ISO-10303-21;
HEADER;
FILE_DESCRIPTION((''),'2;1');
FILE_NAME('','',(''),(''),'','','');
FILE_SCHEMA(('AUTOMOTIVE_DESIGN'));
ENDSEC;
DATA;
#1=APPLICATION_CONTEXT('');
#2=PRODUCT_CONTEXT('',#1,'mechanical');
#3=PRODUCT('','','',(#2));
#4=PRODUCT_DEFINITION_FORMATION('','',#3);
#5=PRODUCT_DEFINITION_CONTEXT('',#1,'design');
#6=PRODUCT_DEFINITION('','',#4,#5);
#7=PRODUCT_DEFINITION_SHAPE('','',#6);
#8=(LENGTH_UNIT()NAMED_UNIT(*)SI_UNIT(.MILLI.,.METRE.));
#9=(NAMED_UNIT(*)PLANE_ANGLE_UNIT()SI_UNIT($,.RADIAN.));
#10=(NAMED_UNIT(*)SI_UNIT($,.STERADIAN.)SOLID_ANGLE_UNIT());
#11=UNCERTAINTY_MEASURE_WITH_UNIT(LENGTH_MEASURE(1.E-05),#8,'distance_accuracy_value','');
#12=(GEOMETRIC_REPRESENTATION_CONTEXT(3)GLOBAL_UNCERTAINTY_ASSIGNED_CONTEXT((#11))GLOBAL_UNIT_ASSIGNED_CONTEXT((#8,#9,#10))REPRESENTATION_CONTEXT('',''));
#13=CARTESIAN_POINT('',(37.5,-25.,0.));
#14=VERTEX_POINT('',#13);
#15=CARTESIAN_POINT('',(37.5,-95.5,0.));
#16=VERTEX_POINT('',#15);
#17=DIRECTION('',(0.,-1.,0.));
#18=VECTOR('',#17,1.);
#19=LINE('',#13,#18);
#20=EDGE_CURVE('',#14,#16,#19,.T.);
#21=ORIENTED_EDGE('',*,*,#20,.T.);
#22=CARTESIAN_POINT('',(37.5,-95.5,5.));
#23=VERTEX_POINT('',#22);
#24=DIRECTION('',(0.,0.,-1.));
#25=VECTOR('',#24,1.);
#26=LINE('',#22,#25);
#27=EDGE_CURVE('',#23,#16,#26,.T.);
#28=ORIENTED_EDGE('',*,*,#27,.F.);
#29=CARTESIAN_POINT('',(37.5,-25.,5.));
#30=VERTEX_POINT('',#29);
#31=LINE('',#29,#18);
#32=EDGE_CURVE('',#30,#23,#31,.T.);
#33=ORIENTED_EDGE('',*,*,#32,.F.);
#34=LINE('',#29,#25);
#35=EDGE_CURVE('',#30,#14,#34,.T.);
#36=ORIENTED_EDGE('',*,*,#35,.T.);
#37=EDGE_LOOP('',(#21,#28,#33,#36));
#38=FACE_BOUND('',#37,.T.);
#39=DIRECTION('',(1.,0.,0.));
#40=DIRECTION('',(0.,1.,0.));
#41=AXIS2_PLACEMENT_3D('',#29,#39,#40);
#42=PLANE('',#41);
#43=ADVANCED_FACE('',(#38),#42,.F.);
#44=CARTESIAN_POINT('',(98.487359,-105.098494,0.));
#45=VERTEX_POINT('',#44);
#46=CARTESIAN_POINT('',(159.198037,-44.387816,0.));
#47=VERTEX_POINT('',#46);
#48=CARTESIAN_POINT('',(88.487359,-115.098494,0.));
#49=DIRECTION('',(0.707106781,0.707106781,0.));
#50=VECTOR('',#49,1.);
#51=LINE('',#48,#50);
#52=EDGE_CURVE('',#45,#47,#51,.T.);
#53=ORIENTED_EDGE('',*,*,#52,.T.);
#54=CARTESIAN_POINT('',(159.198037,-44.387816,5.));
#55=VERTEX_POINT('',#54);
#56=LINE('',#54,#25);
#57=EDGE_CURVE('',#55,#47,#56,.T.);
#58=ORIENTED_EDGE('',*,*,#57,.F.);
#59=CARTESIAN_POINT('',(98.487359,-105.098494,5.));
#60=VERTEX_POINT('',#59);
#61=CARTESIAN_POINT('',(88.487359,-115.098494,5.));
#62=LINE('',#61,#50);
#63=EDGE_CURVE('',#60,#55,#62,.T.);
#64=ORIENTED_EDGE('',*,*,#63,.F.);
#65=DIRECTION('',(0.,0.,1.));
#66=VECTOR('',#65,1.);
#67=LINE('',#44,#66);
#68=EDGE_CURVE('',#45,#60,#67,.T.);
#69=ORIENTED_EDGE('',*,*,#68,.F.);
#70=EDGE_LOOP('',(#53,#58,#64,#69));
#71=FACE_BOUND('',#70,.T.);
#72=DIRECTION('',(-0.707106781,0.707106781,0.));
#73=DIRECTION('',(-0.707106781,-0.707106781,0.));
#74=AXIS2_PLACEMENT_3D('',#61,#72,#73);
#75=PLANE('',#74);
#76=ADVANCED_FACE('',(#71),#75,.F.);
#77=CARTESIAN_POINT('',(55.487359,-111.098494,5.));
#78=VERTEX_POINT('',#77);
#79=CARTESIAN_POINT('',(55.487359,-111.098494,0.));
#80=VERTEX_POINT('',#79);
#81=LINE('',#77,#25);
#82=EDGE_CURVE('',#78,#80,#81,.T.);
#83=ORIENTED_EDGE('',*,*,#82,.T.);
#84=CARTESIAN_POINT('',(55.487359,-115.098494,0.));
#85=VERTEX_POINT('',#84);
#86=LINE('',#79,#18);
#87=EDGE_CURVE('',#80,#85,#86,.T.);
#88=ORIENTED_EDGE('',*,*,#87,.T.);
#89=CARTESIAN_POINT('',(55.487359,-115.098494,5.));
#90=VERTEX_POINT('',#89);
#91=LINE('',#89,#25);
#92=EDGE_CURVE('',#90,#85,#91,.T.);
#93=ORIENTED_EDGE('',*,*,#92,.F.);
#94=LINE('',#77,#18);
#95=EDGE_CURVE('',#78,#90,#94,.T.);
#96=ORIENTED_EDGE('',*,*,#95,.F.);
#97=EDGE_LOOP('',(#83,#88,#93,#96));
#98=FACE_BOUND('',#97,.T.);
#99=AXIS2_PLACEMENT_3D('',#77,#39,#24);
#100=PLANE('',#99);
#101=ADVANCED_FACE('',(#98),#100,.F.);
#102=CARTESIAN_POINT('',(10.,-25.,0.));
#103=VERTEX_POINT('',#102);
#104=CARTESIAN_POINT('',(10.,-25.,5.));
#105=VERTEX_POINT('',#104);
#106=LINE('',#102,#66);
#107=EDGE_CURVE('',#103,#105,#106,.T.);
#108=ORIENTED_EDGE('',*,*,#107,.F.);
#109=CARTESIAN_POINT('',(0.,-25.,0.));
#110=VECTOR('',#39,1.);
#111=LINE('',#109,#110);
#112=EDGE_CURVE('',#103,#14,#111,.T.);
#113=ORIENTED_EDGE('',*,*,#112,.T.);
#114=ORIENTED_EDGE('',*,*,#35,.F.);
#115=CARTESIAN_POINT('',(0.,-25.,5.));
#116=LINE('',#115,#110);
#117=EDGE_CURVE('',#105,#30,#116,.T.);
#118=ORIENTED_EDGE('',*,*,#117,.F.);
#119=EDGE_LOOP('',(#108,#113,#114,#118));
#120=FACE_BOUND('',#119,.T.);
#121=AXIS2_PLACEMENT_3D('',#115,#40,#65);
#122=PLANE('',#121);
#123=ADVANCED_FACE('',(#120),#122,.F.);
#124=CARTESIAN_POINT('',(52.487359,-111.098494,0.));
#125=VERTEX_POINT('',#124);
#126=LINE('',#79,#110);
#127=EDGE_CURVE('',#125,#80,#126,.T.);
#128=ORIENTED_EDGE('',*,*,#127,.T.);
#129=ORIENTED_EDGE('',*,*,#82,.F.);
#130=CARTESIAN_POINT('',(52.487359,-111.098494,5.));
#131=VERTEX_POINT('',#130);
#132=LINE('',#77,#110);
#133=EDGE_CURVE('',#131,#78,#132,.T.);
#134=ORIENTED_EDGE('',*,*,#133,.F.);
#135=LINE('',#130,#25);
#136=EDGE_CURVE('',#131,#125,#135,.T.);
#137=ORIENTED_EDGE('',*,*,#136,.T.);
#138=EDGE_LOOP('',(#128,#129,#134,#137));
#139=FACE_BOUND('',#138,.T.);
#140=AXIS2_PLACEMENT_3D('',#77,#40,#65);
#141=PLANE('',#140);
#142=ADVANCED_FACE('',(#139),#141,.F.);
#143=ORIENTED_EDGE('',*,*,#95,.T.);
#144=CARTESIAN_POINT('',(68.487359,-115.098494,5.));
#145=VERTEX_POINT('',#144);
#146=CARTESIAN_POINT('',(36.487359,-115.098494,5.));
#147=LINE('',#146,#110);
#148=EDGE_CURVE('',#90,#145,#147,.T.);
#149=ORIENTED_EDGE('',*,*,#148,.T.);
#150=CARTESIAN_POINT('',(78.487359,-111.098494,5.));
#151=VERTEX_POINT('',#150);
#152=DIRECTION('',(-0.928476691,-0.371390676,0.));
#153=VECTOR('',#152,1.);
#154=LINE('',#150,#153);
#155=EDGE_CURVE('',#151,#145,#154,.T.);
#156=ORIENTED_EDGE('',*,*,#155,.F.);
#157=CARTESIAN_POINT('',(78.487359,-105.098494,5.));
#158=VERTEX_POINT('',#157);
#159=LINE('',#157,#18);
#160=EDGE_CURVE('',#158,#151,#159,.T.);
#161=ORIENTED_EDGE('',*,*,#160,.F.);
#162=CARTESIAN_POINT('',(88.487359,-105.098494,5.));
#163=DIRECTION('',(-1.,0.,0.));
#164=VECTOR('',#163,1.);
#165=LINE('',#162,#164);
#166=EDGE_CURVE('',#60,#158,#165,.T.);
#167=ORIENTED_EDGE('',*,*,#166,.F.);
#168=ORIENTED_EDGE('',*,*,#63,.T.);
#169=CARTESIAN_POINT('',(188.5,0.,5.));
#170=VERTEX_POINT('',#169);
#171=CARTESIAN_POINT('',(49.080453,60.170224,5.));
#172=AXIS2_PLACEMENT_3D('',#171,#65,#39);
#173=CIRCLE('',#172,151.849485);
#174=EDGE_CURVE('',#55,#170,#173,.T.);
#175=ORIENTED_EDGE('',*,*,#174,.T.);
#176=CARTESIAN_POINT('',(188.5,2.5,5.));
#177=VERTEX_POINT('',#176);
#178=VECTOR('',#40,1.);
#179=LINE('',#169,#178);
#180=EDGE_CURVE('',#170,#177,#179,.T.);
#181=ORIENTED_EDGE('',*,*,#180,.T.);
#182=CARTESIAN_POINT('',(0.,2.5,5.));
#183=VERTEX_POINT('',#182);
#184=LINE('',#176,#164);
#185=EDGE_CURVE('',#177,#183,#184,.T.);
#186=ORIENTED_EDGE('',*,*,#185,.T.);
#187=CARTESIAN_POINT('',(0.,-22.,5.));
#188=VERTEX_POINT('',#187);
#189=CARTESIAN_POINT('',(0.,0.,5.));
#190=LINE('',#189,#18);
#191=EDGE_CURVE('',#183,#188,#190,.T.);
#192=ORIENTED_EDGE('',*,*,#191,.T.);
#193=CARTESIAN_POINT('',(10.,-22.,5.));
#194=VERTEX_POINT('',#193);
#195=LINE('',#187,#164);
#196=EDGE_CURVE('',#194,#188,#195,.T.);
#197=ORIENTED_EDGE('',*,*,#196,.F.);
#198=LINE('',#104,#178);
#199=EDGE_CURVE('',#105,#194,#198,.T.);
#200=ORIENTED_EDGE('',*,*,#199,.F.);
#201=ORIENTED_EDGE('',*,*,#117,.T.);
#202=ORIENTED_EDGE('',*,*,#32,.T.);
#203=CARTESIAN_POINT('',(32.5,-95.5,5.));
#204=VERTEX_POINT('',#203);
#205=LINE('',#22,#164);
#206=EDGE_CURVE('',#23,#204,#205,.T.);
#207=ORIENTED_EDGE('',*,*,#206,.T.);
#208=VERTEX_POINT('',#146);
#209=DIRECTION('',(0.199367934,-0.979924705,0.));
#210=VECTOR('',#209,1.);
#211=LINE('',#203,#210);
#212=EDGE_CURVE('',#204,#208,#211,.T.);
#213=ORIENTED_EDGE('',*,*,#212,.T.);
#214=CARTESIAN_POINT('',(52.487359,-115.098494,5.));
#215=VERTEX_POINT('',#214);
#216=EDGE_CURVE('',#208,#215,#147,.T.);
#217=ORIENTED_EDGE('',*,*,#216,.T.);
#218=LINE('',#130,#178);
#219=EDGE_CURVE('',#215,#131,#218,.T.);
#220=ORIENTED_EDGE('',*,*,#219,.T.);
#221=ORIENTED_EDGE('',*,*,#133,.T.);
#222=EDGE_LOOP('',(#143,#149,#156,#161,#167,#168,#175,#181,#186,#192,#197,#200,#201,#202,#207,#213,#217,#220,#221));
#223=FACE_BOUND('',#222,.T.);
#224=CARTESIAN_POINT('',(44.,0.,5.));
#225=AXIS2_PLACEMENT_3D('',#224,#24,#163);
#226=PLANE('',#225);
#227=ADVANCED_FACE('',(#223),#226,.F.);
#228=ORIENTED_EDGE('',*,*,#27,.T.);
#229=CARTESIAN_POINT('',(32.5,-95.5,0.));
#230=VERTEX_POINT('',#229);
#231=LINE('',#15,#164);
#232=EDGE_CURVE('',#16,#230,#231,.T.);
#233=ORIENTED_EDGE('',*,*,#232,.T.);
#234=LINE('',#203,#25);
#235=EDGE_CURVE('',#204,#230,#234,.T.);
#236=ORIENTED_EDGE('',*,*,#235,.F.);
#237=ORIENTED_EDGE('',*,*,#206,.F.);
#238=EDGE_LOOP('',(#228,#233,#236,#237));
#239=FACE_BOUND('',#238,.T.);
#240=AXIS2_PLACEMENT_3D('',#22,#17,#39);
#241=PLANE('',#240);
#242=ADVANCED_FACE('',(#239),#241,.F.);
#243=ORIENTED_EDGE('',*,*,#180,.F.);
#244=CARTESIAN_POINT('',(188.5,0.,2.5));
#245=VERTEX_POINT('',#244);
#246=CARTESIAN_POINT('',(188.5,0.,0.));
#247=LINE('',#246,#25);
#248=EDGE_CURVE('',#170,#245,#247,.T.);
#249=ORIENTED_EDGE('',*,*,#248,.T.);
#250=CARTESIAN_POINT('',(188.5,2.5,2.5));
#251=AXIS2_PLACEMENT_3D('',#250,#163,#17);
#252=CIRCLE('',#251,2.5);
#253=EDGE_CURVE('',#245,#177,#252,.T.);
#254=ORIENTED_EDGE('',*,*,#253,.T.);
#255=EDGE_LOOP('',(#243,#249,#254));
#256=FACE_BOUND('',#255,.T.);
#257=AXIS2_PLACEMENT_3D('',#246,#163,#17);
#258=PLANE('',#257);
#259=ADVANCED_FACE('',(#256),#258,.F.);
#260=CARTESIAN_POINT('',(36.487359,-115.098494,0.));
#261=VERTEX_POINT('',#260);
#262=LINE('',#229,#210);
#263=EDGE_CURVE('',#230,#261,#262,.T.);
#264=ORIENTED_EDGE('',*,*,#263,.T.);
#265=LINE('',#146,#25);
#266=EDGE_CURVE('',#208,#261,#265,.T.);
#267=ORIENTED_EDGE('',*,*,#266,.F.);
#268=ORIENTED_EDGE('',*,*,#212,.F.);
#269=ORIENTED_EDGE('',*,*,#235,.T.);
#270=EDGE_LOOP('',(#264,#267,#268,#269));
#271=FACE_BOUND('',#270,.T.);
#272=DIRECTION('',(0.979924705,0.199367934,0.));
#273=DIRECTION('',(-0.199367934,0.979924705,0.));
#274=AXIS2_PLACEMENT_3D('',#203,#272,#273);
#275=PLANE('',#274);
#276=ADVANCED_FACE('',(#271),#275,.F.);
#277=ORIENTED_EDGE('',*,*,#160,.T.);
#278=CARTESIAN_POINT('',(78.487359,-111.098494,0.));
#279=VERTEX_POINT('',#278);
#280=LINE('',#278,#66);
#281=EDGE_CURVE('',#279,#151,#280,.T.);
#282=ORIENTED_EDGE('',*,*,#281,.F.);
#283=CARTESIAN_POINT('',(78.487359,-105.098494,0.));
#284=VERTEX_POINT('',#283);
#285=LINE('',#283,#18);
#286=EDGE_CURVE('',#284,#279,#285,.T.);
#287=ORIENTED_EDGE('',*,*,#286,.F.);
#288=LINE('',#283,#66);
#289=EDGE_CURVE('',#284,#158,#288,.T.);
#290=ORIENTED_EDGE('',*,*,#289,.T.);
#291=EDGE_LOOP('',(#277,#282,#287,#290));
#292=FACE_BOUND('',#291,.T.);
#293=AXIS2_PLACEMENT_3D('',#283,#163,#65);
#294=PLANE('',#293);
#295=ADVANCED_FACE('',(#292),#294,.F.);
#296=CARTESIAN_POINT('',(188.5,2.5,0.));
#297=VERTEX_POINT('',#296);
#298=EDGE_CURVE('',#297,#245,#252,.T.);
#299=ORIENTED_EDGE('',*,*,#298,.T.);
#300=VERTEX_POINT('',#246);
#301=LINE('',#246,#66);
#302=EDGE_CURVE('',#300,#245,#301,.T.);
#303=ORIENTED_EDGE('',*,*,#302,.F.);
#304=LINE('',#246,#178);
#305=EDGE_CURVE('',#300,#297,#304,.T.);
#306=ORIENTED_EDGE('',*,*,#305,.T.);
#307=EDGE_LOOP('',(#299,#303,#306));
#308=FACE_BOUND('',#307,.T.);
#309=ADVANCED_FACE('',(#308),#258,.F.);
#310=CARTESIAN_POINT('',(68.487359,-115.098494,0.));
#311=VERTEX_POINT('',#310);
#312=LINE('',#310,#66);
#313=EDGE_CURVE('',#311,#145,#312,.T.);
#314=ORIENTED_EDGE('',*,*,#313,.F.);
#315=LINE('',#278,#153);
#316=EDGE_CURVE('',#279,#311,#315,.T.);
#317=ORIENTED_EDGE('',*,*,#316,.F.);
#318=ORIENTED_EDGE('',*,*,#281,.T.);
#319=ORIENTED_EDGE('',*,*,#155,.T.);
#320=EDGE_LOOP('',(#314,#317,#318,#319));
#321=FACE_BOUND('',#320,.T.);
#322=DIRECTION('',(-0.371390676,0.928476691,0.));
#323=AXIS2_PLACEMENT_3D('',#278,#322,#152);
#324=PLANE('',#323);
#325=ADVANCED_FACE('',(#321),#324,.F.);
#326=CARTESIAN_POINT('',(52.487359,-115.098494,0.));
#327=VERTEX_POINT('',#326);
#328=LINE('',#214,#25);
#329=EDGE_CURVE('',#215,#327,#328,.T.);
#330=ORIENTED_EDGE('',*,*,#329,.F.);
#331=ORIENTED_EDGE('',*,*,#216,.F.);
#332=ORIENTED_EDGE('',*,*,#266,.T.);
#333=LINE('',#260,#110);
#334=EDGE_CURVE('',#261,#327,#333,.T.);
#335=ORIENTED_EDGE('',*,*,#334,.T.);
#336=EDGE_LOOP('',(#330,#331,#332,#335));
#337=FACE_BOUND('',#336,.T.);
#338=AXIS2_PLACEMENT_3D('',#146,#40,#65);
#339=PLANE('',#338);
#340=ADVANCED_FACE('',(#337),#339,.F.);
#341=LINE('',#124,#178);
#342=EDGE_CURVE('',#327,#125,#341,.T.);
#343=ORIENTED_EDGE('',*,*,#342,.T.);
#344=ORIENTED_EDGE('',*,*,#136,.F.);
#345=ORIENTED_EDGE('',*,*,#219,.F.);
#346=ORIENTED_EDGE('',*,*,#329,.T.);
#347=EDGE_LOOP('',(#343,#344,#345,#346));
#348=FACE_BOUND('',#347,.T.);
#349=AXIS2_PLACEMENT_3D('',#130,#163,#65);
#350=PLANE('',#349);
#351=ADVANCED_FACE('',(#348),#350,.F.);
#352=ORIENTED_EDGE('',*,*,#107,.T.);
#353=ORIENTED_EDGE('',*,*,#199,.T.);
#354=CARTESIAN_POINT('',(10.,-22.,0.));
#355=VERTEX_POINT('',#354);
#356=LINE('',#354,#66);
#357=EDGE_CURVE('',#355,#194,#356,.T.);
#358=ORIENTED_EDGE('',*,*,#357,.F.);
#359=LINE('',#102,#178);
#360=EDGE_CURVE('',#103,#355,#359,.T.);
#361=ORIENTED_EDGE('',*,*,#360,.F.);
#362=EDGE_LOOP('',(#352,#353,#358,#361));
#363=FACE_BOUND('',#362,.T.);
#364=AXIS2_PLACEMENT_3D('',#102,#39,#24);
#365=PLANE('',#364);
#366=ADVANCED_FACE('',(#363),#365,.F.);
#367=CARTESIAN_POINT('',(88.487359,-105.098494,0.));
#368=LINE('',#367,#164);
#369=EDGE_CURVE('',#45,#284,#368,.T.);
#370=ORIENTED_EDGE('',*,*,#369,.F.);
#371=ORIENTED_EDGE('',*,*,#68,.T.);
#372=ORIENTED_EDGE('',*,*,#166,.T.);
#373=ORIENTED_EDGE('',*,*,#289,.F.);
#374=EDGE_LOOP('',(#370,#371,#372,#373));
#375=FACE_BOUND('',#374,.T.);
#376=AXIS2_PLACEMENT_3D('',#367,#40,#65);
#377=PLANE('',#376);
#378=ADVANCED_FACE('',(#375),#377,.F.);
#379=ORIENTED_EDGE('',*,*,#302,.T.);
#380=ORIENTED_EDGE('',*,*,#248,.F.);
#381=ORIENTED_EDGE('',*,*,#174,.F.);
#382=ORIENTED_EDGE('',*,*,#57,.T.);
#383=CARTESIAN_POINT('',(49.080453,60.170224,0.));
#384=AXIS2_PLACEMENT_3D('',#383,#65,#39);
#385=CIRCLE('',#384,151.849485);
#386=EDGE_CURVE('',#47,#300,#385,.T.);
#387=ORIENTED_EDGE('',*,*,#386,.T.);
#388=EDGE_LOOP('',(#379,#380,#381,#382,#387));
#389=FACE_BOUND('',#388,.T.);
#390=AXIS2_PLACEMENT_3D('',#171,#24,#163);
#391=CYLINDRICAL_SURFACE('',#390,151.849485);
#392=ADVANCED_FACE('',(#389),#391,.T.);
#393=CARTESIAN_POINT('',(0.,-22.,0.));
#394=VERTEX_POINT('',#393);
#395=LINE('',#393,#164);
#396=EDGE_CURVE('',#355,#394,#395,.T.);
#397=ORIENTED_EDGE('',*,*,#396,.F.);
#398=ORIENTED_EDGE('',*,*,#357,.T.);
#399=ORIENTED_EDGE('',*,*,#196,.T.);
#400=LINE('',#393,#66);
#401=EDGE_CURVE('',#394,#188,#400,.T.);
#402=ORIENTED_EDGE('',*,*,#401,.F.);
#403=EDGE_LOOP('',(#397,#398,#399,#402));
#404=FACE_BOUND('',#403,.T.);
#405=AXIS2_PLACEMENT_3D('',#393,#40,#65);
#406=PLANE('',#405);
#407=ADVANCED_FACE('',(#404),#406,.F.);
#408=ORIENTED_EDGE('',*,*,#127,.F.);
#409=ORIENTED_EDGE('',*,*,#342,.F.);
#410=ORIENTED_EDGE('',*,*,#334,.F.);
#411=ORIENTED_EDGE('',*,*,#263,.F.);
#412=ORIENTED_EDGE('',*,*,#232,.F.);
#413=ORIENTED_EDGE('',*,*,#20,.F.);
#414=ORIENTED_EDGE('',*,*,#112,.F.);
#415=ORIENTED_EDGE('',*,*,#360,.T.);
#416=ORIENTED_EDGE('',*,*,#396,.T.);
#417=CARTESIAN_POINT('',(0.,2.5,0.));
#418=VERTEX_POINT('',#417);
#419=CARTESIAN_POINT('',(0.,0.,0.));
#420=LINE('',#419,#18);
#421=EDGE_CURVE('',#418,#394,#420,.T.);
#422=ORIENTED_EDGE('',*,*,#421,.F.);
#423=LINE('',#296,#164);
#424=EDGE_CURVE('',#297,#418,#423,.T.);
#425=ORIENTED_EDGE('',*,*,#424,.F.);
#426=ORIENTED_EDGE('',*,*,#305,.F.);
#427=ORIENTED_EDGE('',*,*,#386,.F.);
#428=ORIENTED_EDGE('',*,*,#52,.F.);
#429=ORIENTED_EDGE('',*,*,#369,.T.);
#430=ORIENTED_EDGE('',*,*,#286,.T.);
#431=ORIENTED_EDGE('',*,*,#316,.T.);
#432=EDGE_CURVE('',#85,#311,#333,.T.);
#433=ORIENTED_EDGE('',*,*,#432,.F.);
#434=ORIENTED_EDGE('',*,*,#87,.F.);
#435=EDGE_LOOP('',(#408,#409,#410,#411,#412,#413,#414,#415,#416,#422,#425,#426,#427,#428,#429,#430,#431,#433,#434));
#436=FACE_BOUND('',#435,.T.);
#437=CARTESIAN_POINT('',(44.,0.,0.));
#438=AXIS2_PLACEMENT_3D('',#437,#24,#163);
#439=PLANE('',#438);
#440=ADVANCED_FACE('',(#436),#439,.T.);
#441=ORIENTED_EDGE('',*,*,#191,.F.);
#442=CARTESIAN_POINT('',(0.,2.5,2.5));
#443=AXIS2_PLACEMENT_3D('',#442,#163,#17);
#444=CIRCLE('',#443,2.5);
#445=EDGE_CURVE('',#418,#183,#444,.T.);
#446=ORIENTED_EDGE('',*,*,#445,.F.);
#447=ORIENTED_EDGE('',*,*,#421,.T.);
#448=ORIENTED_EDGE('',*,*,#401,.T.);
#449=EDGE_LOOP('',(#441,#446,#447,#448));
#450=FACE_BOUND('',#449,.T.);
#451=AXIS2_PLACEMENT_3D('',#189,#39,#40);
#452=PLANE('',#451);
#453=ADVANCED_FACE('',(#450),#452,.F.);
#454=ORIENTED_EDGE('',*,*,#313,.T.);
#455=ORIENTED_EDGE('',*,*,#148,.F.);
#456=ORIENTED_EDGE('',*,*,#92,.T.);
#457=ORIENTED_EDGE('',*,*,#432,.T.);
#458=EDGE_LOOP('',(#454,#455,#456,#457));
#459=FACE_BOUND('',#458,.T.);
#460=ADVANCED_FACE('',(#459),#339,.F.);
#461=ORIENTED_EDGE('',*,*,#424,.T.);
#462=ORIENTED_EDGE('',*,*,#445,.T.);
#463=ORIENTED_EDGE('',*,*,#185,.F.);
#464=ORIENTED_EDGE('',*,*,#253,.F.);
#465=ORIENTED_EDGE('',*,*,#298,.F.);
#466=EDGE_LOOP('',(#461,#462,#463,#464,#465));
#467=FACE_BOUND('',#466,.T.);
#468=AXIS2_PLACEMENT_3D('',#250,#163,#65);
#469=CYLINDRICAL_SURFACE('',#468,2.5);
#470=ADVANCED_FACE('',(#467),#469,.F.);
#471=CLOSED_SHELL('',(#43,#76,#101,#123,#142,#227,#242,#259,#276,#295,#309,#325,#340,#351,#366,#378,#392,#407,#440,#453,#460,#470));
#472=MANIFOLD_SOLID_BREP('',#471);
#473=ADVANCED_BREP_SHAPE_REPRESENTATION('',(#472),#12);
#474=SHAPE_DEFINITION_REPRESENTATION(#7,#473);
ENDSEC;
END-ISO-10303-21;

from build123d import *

# Parameters (mm, degrees)
BOSS_EXTRU_1_DEPTH      = 5
ESQUISSE3_W             = 10
ESQUISSE3_H             = 3
ENL_V_MAT_EXTRU_1_DEPTH = 231.967242256
ENL_V_MAT_EXTRU_2_DEPTH = 231.967242256
ENL_V_MAT_EXTRU_3_DEPTH = 231.967242256
BOSS_EXTRU_2_DEPTH      = 188.5
ESQUISSE6_W             = 3
ESQUISSE6_H             = 4
ENL_V_MAT_EXTRU_4_DEPTH = 221.918340892


with BuildPart() as part:
    # Esquisse1 → Boss.-Extru.1 (new body)
    with BuildSketch(Plane.XY):
        with BuildLine():
            Line((0, 0), (0, -25))
            Line((0, -25), (37.5, -25))
            Line((37.5, -25), (37.5, -95.5))
            Line((37.5, -95.5), (32.5, -95.5))
            Line((32.5, -95.5), (36.487358688, -115.098494092))
            Line((36.487358688, -115.098494092), (88.487358688, -115.098494092))
            Line((88.487358688, -115.098494092), (159.198036807, -44.387815974))
            ThreePointArc((159.198036807, -44.387815974), (187.146342861, -3.044299659), (200.182925478, 45.126663235))
            Line((200.182925478, 45.126663235), (43.682925478, 43.998857528))
            ThreePointArc((43.682925478, 43.998857528), (12.775400091, 31.000392909), (0, 0))
        make_face()
    extrude(amount=BOSS_EXTRU_1_DEPTH)

    # Esquisse3 → Enlèv. mat.-Extru.1 (cut, through all)
    with BuildSketch(Plane.XY.offset(5)):
        with Locations((5, -23.5)):
            Rectangle(ESQUISSE3_W, ESQUISSE3_H)
    extrude(amount=-ENL_V_MAT_EXTRU_1_DEPTH, mode=Mode.SUBTRACT)

    # Esquisse4 → Enlèv. mat.-Extru.2 (cut, through all)
    with BuildSketch(Plane.XY.offset(5)):
        Polygon((88.487358688, -105.098494092), (78.487358688, -105.098494092), (78.487358688, -111.098494092), (68.487358688, -115.098494092), (78.487358688, -115.098494092), (88.487358688, -115.098494092), (98.487358688, -105.098494092), align=None)
    extrude(amount=-ENL_V_MAT_EXTRU_2_DEPTH, mode=Mode.SUBTRACT)

    # Esquisse2 → Enlèv. mat.-Extru.3 (cut, through all)
    with BuildSketch(Plane.XY.offset(5)):
        Polygon((0, 0), (188.5, 0), (209.362190725, -2.460738477), (219.452028236, 63.380017622), (19.477580028, 66.088918501), (-15.632624315, 12.443515375), align=None)
    extrude(amount=-ENL_V_MAT_EXTRU_3_DEPTH, mode=Mode.SUBTRACT)

    # Esquisse5 → Boss.-Extru.2 (add)
    with BuildSketch(Plane.ZY):
        with BuildLine():
            Line((2.5, 0), (5, 0))
            Line((5, 0), (5, 2.5))
            ThreePointArc((5, 2.5), (4.267766953, 0.732233047), (2.5, 0))
        make_face()
        with BuildLine():
            Line((0, 0), (2.5, 0))
            ThreePointArc((2.5, 0), (0.732233047, 0.732233047), (0, 2.5))
            Line((0, 2.5), (0, 0))
        make_face()
    extrude(amount=-BOSS_EXTRU_2_DEPTH)

    # Esquisse6 → Enlèv. mat.-Extru.4 (cut, through all)
    with BuildSketch(Plane(origin=(0, 0, 0), x_dir=(-1, 0, 0), z_dir=(0, 0, -1))):
        with Locations((-53.987358688, -113.098494092)):
            Rectangle(ESQUISSE6_W, ESQUISSE6_H)
    extrude(amount=-ENL_V_MAT_EXTRU_4_DEPTH, mode=Mode.SUBTRACT)


solid = part.part
